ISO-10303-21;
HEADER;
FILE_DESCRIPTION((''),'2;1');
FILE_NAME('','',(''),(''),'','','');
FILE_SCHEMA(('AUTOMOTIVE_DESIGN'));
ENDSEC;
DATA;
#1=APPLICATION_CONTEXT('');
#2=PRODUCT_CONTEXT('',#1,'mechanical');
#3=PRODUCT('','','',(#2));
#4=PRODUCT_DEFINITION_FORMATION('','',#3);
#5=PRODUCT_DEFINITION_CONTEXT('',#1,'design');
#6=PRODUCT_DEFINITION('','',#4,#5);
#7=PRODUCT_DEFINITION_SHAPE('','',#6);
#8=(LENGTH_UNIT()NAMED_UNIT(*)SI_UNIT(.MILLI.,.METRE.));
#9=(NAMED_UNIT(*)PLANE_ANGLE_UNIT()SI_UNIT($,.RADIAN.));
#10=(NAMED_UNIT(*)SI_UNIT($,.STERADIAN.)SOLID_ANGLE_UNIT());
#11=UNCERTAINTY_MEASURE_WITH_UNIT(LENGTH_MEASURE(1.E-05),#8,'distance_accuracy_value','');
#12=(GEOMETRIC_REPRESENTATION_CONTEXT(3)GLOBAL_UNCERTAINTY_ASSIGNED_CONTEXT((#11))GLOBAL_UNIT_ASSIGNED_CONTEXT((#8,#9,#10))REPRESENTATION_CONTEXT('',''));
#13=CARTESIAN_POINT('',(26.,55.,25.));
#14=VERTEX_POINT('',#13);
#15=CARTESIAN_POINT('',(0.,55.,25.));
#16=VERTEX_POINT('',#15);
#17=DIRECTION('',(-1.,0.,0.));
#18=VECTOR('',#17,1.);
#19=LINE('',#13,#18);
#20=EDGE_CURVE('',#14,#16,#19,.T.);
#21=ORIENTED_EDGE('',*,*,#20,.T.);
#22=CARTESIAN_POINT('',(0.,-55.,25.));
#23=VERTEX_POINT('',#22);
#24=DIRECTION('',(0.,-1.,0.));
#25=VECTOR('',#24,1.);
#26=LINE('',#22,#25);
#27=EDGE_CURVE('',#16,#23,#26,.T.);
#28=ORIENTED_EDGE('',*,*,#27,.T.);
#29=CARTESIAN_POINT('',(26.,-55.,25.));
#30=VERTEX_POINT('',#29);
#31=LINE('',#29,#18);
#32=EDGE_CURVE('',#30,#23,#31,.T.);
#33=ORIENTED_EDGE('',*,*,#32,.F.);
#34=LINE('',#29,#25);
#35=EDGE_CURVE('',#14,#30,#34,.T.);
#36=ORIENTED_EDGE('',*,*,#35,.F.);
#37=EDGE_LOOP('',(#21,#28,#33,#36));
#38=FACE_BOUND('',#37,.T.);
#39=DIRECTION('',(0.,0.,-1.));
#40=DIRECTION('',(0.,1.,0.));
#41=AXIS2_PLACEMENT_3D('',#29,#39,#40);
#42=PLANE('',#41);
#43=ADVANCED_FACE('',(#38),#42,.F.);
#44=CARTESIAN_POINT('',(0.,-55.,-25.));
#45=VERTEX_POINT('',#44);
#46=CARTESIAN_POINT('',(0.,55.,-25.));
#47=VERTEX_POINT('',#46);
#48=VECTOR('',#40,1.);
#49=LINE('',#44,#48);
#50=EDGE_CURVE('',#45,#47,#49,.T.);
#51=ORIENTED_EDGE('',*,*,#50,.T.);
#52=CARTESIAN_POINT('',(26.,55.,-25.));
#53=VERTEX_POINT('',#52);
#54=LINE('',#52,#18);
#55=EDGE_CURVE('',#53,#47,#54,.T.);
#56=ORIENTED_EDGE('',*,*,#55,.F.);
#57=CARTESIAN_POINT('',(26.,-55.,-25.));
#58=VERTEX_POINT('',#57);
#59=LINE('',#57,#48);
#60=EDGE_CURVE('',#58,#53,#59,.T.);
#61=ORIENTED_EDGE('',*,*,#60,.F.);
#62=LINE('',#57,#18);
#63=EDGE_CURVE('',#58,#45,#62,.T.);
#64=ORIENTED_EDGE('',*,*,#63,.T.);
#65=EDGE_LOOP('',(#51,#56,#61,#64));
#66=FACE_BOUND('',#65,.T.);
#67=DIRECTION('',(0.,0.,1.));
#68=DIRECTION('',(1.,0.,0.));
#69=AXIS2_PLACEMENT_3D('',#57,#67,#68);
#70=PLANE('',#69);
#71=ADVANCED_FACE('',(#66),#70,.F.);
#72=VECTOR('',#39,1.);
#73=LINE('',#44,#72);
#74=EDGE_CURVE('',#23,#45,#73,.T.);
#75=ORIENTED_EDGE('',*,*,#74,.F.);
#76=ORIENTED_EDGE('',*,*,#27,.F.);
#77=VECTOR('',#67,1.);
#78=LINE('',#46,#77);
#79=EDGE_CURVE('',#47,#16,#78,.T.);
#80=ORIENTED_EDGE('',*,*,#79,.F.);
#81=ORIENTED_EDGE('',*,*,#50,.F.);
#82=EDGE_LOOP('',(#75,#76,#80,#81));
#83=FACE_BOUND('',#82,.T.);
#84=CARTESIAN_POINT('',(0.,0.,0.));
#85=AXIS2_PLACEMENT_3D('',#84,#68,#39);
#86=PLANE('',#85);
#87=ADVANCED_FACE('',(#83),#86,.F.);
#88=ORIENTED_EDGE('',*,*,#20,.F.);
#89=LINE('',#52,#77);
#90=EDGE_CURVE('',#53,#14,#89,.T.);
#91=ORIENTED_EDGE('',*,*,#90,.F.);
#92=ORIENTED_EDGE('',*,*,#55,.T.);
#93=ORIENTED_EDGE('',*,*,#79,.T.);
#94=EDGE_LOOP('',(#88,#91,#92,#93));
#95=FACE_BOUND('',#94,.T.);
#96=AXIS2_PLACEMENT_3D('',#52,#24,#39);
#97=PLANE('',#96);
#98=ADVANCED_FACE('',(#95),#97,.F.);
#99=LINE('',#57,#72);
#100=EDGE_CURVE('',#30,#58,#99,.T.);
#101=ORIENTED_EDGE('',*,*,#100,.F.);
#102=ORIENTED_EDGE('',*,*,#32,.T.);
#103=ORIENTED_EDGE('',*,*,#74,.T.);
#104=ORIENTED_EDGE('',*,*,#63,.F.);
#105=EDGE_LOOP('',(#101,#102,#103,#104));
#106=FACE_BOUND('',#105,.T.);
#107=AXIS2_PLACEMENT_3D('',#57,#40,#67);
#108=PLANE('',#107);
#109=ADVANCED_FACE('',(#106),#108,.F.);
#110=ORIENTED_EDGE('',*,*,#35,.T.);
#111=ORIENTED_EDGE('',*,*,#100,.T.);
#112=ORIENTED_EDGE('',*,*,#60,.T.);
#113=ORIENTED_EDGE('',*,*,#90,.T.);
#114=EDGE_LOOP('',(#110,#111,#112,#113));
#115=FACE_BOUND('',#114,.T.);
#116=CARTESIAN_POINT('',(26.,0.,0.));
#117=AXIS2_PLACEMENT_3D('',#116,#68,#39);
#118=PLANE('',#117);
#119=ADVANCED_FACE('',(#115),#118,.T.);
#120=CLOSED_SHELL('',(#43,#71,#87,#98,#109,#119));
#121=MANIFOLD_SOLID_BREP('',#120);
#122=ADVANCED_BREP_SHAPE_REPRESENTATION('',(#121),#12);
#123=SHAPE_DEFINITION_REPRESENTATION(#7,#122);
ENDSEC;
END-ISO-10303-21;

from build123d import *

# Parameters (mm, degrees)
SKETCH_1_W      = 50
SKETCH_1_H      = 110
EXTRUDE_1_DEPTH = 26


with BuildPart() as part:
    # Эскиз1 → Бобышка-Вытянуть1 (new body)
    with BuildSketch(Plane(origin=(0, 0, 0), x_dir=(0, 0, -1), z_dir=(1, 0, 0))):
        Rectangle(SKETCH_1_W, SKETCH_1_H)
    extrude(amount=EXTRUDE_1_DEPTH)


solid = part.part
